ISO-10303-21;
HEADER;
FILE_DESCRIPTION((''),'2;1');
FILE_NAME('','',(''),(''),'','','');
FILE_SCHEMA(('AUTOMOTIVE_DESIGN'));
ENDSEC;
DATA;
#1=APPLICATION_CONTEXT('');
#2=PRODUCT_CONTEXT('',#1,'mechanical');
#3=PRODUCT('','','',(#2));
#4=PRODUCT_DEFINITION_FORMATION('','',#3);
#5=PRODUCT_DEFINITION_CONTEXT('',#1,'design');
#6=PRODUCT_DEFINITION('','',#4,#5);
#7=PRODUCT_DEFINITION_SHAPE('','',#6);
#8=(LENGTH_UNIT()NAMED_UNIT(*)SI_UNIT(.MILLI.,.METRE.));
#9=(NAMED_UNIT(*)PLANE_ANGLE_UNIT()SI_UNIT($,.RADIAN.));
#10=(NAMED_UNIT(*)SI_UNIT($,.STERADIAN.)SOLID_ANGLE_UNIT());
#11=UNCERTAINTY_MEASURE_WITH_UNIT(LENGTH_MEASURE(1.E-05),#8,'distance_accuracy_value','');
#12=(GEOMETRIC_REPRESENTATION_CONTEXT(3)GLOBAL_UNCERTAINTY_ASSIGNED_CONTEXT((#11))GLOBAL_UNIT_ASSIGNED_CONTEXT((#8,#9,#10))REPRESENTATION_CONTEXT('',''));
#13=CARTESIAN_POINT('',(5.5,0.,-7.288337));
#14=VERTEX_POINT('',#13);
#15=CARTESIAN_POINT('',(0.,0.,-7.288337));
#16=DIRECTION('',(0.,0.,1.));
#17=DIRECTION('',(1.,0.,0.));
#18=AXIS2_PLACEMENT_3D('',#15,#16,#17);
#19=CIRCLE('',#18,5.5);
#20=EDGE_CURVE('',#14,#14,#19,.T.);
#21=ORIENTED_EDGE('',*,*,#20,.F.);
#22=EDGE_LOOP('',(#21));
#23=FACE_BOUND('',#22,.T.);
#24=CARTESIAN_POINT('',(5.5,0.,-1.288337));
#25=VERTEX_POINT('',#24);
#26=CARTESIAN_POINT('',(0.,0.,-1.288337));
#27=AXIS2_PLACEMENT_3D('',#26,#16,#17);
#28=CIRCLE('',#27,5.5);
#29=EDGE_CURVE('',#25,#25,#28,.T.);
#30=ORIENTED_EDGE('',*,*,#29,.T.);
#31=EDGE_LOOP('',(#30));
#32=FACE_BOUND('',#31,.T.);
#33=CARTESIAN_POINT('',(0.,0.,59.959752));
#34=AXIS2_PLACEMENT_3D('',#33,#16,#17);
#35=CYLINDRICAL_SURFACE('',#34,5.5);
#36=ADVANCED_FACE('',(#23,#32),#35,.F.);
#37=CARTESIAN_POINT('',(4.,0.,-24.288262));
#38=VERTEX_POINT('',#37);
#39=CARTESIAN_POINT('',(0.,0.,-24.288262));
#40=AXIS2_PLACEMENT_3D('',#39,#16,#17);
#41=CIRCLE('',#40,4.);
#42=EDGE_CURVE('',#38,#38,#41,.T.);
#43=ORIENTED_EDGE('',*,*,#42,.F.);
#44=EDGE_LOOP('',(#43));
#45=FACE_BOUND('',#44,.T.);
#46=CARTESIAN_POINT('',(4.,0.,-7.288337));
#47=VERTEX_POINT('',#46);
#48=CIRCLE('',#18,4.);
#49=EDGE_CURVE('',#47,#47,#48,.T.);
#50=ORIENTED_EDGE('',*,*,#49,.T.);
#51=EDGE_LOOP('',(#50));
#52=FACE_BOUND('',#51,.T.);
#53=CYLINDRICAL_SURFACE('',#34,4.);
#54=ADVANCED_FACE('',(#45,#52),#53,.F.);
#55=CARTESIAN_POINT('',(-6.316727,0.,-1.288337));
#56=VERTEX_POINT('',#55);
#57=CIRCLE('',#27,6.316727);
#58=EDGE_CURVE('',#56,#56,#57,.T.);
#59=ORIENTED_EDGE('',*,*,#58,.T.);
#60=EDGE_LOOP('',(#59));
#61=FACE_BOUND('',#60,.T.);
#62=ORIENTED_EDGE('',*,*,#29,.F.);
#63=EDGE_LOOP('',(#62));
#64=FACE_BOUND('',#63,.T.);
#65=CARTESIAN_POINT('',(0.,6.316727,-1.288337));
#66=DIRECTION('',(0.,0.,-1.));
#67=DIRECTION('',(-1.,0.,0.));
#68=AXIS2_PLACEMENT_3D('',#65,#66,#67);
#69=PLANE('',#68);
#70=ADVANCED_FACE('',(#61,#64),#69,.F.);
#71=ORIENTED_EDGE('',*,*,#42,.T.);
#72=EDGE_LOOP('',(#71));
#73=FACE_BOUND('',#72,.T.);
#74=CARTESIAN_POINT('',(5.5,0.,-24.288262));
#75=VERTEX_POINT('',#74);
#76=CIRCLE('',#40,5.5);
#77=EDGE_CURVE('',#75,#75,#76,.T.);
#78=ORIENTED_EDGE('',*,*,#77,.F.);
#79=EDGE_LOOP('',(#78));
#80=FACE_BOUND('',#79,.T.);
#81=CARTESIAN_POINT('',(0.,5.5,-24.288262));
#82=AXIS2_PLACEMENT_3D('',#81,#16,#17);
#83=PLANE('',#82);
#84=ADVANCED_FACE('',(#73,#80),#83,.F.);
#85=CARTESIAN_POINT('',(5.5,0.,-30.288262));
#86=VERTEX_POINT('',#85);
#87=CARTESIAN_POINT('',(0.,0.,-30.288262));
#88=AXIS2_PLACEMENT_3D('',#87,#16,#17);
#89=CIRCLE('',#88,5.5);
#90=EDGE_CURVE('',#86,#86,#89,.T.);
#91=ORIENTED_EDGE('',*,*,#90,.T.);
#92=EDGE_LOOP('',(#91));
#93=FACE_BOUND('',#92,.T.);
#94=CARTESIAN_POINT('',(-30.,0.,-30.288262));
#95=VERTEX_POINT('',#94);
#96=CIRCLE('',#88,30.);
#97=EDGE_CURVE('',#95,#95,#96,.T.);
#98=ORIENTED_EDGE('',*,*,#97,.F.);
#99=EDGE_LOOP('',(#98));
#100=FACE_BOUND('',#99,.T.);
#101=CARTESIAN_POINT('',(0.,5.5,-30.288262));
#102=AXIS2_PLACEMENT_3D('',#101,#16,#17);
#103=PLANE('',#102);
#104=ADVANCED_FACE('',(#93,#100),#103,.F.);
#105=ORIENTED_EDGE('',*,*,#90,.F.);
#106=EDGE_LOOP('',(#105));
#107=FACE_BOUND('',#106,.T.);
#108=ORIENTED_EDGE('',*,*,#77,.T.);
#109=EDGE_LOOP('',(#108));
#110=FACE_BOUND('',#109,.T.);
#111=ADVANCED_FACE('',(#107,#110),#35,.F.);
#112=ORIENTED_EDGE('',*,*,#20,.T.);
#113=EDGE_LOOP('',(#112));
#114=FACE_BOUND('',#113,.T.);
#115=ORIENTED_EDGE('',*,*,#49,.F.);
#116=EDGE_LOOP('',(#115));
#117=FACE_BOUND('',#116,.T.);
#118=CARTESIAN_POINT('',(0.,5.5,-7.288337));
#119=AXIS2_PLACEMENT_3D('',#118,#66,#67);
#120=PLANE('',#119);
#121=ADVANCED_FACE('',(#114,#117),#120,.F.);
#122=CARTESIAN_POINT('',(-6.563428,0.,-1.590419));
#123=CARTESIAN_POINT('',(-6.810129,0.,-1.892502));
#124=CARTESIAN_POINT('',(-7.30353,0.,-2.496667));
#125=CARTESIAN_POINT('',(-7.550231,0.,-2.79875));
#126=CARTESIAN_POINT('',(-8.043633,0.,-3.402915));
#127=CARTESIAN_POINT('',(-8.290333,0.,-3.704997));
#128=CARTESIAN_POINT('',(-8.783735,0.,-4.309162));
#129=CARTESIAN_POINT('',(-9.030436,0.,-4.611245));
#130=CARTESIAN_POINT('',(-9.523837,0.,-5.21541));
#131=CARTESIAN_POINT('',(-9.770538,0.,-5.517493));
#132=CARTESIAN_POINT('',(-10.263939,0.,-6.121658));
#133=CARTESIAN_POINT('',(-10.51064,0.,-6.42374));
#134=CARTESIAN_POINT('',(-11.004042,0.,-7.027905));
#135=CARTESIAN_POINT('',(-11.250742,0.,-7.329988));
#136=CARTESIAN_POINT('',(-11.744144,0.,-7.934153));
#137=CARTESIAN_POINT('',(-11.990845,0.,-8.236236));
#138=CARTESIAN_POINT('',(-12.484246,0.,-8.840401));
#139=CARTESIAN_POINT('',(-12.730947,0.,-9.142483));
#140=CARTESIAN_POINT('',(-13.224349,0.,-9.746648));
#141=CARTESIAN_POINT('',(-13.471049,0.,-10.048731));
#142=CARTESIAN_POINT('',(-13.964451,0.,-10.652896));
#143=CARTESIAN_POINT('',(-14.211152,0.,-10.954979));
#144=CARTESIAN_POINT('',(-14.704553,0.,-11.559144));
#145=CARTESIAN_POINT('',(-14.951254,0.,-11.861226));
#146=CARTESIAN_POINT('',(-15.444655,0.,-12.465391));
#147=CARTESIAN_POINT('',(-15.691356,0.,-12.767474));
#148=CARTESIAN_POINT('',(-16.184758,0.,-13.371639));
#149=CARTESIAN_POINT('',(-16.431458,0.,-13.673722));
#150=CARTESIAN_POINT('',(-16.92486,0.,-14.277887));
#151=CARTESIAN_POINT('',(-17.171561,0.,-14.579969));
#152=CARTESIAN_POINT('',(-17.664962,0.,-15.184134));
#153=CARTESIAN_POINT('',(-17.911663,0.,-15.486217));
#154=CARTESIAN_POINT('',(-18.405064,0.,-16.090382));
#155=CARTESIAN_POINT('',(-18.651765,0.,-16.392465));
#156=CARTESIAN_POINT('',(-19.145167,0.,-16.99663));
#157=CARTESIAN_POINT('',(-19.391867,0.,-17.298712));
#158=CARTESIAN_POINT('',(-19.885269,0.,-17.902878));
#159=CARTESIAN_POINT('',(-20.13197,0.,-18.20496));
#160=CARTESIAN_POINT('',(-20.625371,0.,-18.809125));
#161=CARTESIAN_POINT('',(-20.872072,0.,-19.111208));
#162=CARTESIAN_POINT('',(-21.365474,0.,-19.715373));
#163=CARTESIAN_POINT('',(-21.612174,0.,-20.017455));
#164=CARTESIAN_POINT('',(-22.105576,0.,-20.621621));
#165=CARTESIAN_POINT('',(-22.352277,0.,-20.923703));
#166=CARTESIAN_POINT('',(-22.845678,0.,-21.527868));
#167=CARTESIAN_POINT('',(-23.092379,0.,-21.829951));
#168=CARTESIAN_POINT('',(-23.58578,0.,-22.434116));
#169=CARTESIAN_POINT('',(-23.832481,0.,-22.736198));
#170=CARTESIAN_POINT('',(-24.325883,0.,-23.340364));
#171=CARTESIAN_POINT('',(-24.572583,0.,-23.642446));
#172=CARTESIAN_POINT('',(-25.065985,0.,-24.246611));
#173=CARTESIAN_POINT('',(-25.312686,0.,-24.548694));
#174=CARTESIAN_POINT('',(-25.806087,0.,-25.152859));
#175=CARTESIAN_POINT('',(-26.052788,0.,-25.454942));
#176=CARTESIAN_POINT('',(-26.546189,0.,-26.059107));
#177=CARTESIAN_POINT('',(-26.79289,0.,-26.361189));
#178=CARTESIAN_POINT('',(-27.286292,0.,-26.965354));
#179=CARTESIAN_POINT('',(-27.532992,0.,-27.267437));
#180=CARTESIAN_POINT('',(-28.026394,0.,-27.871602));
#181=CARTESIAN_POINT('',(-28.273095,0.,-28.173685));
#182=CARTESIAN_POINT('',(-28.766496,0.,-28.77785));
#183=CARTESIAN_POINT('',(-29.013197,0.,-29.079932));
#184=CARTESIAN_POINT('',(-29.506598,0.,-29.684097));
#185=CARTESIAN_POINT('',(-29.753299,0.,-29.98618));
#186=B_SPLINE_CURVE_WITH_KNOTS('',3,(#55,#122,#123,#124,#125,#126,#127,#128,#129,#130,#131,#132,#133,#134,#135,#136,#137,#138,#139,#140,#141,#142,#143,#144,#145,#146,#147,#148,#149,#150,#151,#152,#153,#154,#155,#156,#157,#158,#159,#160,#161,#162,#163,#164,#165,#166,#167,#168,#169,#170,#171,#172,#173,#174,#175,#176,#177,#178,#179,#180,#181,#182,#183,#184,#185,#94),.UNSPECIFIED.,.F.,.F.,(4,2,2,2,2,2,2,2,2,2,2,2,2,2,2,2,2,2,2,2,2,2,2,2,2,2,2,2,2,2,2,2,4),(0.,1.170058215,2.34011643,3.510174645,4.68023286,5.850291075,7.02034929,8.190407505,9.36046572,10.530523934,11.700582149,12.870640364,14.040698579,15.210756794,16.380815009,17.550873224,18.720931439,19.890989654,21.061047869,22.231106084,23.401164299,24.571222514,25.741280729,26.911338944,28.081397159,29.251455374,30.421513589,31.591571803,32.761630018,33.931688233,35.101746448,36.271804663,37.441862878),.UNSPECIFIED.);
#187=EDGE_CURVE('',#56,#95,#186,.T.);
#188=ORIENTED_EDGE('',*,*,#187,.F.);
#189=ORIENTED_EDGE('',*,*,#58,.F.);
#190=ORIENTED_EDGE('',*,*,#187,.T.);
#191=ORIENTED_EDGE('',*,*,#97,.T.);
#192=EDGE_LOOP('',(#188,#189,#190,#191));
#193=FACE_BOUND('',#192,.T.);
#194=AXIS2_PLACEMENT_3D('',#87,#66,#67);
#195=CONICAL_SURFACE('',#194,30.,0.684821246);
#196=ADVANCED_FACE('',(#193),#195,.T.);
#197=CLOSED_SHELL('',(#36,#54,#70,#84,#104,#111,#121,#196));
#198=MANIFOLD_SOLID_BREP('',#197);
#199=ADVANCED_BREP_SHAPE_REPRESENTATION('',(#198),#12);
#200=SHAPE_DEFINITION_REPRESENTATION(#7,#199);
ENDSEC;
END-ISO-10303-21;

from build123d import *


with BuildPart() as part:
    # Skica1 → Rotovat1 (revolve)
    with BuildSketch(Plane(origin=(0, 0, 0), x_dir=(0, 0, -1), z_dir=(1, 0, 0)), mode=Mode.PRIVATE) as rotovat1_sk:
        Polygon((1.288336748, 5.5), (7.288336748, 5.5), (7.288336748, 4), (24.288262464, 4), (24.288262464, 5.5), (30.288262464, 5.5), (30.288262464, 30), (1.288336748, 6.316727332), align=None)
    revolve(rotovat1_sk.sketch.rotate(Axis((0, 0, 59.95975236), (0, 0, -1)), 90), axis=Axis((0, 0, 59.95975236), (0, 0, -1)))


solid = part.part
